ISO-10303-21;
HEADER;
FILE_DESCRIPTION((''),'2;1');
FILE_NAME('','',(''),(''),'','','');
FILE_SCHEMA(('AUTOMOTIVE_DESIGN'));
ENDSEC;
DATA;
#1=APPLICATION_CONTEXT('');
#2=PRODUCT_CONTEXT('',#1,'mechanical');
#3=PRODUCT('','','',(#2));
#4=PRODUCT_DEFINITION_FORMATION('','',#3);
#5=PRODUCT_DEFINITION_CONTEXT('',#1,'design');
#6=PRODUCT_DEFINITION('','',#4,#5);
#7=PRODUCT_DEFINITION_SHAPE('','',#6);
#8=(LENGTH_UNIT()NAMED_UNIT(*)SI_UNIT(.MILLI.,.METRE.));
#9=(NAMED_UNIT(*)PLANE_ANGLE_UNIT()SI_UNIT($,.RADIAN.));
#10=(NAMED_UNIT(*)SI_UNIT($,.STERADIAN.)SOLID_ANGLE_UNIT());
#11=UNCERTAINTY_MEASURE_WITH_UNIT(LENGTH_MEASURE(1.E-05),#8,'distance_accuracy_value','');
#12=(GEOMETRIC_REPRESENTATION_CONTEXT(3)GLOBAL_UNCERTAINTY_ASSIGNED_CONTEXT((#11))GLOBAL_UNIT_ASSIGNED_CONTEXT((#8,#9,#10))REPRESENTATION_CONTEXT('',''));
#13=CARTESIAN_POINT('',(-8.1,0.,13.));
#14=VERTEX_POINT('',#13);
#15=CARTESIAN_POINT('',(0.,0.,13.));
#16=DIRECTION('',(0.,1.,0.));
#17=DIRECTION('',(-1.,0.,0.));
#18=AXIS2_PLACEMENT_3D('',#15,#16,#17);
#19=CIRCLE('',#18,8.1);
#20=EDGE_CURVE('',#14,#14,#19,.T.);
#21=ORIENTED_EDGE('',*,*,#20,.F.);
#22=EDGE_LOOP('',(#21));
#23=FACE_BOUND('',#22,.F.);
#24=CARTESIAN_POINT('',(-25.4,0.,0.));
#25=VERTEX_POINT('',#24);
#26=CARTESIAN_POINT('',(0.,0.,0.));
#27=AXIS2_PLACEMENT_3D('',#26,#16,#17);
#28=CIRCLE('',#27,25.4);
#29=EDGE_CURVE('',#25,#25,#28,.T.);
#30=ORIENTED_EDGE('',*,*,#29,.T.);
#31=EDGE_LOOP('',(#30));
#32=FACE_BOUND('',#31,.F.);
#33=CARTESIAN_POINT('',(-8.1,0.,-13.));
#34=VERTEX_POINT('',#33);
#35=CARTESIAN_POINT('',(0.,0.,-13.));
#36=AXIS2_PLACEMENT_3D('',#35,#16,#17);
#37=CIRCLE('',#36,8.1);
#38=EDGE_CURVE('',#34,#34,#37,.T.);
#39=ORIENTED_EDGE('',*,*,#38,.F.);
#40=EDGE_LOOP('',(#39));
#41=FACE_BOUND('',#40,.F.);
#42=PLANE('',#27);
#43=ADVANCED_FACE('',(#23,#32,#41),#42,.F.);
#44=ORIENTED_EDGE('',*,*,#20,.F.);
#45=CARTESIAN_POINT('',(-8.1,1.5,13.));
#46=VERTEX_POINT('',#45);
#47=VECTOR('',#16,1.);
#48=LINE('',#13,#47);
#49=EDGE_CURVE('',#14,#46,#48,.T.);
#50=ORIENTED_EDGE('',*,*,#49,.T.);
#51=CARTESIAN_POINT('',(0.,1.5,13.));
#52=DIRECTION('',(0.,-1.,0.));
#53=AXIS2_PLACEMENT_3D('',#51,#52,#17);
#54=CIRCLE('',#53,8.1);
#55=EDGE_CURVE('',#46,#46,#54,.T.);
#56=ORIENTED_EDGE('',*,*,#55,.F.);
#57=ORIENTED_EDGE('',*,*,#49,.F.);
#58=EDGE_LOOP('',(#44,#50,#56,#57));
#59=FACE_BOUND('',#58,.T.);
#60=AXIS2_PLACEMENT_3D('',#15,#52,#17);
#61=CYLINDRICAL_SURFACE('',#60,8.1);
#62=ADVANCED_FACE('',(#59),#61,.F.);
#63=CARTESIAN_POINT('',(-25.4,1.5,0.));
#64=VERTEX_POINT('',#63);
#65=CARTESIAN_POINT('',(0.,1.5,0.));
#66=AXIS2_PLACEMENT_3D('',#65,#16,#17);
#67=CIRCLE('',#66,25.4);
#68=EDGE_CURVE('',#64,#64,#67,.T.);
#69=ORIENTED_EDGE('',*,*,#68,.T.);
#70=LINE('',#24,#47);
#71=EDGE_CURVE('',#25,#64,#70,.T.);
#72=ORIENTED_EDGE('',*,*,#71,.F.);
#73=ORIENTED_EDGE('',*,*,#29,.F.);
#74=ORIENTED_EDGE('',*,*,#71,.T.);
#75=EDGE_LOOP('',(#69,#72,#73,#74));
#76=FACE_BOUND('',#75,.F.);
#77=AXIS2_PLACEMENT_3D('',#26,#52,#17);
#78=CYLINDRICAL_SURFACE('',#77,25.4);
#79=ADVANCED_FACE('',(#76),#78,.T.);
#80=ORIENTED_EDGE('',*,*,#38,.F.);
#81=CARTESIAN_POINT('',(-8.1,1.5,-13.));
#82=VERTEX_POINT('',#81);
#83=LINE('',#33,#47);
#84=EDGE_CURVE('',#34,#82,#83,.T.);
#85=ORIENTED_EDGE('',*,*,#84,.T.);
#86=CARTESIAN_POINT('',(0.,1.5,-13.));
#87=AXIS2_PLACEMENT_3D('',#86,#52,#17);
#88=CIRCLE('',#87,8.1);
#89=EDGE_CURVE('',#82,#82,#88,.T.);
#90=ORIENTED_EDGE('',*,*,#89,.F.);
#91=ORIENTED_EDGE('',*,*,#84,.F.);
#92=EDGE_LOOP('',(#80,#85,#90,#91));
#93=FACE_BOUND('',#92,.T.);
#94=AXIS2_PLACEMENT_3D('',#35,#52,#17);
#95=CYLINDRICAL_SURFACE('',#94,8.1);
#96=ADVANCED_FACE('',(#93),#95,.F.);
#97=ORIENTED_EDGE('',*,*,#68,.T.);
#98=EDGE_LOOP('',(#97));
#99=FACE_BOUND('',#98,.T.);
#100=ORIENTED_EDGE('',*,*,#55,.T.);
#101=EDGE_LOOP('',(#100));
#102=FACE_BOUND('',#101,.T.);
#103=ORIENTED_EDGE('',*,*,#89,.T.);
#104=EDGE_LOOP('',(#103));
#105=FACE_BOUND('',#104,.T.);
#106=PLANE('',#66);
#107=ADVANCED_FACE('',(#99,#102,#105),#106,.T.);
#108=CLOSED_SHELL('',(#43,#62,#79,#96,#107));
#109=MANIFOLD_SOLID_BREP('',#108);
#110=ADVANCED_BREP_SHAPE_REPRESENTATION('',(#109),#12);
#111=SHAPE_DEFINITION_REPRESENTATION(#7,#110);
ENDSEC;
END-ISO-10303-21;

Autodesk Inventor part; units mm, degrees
ref_plane "YZ Plane" through (0, 0, 0) normal (1, 0, 0) x (0, 1, 0)
ref_plane "XZ Plane" through (0, 0, 0) normal (0, 1, 0) x (-1, 0, 0)
ref_plane "XY Plane" through (0, 0, 0) normal (0, 0, 1) x (1, 0, 0)
sketch "Sketch1" plane through (0, 0, 0) normal (0, 1, 0) x (-1, 0, 0)
  point P0 (0, 0)
sketch "Sketch2" plane through (0, 0, 0) normal (0, 1, 0) x (-1, 0, 0)
  circle A0 centre (0, 0) radius 25.4
  circle A1 centre (0, 0) radius 13
  circle A2 centre (0, 13) radius 8.1
  circle A3 centre (0, -13) radius 8.1
  dimension "d0" = 50.8
  dimension "d1" = 26
  dimension "d2" = 16.2
  dimension "d3" = 16.2
extrude "Extrusion1" add sketch "Sketch2" along normal blind 1.5 contours A0 | A1 A3 A2
properties part number "metal_base_plate"
